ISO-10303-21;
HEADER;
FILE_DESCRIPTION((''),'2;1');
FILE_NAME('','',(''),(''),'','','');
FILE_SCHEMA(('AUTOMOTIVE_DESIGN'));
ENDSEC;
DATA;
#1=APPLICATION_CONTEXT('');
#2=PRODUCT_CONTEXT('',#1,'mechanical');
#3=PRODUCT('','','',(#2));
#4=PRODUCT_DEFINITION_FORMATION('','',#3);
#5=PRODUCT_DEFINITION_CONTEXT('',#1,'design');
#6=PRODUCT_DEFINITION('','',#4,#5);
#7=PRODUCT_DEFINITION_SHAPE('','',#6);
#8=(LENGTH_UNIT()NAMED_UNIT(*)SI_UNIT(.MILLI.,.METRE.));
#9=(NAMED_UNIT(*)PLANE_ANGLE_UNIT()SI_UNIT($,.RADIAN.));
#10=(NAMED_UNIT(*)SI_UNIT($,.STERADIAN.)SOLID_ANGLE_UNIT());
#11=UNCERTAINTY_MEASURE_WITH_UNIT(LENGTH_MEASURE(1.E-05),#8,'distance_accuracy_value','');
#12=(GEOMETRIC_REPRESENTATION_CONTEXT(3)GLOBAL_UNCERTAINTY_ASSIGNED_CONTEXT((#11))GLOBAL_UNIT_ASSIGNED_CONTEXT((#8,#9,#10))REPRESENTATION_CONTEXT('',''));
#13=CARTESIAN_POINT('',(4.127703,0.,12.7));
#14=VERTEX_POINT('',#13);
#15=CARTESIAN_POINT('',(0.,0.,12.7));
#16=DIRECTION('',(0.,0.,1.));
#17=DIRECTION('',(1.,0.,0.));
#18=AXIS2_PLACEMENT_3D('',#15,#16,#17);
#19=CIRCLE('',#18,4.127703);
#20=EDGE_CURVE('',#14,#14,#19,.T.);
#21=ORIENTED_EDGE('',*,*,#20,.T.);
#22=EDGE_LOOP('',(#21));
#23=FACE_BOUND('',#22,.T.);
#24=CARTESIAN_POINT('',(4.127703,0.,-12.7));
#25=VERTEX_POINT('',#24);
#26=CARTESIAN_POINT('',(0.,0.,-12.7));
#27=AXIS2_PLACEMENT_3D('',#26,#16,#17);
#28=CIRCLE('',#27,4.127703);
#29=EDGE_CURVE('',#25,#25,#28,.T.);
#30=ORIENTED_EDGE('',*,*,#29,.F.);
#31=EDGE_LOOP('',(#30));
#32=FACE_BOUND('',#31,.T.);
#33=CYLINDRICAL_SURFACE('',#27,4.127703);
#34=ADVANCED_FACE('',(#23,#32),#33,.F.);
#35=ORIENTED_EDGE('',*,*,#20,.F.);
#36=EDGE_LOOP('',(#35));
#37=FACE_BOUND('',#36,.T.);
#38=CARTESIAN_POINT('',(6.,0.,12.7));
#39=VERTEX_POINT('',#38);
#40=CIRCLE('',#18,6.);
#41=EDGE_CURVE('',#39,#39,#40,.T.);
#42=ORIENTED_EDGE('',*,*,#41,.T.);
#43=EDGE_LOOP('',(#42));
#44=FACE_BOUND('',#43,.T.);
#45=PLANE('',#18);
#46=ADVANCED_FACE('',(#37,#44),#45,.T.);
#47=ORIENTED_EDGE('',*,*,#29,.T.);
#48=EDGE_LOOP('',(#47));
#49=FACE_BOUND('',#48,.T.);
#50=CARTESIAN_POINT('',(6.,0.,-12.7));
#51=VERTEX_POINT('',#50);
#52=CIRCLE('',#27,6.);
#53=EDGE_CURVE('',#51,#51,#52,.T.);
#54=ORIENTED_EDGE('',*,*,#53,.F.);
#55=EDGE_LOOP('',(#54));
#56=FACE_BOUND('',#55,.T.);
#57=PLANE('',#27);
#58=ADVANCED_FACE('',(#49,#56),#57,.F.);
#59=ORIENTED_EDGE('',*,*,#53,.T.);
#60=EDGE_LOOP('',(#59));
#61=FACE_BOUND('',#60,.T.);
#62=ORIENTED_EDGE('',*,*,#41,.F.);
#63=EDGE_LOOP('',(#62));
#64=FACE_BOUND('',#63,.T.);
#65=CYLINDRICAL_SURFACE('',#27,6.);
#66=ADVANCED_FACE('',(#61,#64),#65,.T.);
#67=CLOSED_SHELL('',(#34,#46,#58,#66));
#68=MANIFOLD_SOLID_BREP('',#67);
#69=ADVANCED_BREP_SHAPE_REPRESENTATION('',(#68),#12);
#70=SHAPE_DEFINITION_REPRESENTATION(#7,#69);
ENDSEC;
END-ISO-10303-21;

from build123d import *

# Parameters (mm, degrees)
SKETCH1_R           = 6
SKETCH1_R_2         = 4.12770308
BOSS_EXTRUDE1_DEPTH = 12.7


with BuildPart() as part:
    # Sketch1 → Boss-Extrude1 (new, symmetric)
    with BuildSketch(Plane.XY):
        Circle(SKETCH1_R)
        Circle(SKETCH1_R_2, mode=Mode.SUBTRACT)
    extrude(amount=BOSS_EXTRUDE1_DEPTH, both=True)


solid = part.part
